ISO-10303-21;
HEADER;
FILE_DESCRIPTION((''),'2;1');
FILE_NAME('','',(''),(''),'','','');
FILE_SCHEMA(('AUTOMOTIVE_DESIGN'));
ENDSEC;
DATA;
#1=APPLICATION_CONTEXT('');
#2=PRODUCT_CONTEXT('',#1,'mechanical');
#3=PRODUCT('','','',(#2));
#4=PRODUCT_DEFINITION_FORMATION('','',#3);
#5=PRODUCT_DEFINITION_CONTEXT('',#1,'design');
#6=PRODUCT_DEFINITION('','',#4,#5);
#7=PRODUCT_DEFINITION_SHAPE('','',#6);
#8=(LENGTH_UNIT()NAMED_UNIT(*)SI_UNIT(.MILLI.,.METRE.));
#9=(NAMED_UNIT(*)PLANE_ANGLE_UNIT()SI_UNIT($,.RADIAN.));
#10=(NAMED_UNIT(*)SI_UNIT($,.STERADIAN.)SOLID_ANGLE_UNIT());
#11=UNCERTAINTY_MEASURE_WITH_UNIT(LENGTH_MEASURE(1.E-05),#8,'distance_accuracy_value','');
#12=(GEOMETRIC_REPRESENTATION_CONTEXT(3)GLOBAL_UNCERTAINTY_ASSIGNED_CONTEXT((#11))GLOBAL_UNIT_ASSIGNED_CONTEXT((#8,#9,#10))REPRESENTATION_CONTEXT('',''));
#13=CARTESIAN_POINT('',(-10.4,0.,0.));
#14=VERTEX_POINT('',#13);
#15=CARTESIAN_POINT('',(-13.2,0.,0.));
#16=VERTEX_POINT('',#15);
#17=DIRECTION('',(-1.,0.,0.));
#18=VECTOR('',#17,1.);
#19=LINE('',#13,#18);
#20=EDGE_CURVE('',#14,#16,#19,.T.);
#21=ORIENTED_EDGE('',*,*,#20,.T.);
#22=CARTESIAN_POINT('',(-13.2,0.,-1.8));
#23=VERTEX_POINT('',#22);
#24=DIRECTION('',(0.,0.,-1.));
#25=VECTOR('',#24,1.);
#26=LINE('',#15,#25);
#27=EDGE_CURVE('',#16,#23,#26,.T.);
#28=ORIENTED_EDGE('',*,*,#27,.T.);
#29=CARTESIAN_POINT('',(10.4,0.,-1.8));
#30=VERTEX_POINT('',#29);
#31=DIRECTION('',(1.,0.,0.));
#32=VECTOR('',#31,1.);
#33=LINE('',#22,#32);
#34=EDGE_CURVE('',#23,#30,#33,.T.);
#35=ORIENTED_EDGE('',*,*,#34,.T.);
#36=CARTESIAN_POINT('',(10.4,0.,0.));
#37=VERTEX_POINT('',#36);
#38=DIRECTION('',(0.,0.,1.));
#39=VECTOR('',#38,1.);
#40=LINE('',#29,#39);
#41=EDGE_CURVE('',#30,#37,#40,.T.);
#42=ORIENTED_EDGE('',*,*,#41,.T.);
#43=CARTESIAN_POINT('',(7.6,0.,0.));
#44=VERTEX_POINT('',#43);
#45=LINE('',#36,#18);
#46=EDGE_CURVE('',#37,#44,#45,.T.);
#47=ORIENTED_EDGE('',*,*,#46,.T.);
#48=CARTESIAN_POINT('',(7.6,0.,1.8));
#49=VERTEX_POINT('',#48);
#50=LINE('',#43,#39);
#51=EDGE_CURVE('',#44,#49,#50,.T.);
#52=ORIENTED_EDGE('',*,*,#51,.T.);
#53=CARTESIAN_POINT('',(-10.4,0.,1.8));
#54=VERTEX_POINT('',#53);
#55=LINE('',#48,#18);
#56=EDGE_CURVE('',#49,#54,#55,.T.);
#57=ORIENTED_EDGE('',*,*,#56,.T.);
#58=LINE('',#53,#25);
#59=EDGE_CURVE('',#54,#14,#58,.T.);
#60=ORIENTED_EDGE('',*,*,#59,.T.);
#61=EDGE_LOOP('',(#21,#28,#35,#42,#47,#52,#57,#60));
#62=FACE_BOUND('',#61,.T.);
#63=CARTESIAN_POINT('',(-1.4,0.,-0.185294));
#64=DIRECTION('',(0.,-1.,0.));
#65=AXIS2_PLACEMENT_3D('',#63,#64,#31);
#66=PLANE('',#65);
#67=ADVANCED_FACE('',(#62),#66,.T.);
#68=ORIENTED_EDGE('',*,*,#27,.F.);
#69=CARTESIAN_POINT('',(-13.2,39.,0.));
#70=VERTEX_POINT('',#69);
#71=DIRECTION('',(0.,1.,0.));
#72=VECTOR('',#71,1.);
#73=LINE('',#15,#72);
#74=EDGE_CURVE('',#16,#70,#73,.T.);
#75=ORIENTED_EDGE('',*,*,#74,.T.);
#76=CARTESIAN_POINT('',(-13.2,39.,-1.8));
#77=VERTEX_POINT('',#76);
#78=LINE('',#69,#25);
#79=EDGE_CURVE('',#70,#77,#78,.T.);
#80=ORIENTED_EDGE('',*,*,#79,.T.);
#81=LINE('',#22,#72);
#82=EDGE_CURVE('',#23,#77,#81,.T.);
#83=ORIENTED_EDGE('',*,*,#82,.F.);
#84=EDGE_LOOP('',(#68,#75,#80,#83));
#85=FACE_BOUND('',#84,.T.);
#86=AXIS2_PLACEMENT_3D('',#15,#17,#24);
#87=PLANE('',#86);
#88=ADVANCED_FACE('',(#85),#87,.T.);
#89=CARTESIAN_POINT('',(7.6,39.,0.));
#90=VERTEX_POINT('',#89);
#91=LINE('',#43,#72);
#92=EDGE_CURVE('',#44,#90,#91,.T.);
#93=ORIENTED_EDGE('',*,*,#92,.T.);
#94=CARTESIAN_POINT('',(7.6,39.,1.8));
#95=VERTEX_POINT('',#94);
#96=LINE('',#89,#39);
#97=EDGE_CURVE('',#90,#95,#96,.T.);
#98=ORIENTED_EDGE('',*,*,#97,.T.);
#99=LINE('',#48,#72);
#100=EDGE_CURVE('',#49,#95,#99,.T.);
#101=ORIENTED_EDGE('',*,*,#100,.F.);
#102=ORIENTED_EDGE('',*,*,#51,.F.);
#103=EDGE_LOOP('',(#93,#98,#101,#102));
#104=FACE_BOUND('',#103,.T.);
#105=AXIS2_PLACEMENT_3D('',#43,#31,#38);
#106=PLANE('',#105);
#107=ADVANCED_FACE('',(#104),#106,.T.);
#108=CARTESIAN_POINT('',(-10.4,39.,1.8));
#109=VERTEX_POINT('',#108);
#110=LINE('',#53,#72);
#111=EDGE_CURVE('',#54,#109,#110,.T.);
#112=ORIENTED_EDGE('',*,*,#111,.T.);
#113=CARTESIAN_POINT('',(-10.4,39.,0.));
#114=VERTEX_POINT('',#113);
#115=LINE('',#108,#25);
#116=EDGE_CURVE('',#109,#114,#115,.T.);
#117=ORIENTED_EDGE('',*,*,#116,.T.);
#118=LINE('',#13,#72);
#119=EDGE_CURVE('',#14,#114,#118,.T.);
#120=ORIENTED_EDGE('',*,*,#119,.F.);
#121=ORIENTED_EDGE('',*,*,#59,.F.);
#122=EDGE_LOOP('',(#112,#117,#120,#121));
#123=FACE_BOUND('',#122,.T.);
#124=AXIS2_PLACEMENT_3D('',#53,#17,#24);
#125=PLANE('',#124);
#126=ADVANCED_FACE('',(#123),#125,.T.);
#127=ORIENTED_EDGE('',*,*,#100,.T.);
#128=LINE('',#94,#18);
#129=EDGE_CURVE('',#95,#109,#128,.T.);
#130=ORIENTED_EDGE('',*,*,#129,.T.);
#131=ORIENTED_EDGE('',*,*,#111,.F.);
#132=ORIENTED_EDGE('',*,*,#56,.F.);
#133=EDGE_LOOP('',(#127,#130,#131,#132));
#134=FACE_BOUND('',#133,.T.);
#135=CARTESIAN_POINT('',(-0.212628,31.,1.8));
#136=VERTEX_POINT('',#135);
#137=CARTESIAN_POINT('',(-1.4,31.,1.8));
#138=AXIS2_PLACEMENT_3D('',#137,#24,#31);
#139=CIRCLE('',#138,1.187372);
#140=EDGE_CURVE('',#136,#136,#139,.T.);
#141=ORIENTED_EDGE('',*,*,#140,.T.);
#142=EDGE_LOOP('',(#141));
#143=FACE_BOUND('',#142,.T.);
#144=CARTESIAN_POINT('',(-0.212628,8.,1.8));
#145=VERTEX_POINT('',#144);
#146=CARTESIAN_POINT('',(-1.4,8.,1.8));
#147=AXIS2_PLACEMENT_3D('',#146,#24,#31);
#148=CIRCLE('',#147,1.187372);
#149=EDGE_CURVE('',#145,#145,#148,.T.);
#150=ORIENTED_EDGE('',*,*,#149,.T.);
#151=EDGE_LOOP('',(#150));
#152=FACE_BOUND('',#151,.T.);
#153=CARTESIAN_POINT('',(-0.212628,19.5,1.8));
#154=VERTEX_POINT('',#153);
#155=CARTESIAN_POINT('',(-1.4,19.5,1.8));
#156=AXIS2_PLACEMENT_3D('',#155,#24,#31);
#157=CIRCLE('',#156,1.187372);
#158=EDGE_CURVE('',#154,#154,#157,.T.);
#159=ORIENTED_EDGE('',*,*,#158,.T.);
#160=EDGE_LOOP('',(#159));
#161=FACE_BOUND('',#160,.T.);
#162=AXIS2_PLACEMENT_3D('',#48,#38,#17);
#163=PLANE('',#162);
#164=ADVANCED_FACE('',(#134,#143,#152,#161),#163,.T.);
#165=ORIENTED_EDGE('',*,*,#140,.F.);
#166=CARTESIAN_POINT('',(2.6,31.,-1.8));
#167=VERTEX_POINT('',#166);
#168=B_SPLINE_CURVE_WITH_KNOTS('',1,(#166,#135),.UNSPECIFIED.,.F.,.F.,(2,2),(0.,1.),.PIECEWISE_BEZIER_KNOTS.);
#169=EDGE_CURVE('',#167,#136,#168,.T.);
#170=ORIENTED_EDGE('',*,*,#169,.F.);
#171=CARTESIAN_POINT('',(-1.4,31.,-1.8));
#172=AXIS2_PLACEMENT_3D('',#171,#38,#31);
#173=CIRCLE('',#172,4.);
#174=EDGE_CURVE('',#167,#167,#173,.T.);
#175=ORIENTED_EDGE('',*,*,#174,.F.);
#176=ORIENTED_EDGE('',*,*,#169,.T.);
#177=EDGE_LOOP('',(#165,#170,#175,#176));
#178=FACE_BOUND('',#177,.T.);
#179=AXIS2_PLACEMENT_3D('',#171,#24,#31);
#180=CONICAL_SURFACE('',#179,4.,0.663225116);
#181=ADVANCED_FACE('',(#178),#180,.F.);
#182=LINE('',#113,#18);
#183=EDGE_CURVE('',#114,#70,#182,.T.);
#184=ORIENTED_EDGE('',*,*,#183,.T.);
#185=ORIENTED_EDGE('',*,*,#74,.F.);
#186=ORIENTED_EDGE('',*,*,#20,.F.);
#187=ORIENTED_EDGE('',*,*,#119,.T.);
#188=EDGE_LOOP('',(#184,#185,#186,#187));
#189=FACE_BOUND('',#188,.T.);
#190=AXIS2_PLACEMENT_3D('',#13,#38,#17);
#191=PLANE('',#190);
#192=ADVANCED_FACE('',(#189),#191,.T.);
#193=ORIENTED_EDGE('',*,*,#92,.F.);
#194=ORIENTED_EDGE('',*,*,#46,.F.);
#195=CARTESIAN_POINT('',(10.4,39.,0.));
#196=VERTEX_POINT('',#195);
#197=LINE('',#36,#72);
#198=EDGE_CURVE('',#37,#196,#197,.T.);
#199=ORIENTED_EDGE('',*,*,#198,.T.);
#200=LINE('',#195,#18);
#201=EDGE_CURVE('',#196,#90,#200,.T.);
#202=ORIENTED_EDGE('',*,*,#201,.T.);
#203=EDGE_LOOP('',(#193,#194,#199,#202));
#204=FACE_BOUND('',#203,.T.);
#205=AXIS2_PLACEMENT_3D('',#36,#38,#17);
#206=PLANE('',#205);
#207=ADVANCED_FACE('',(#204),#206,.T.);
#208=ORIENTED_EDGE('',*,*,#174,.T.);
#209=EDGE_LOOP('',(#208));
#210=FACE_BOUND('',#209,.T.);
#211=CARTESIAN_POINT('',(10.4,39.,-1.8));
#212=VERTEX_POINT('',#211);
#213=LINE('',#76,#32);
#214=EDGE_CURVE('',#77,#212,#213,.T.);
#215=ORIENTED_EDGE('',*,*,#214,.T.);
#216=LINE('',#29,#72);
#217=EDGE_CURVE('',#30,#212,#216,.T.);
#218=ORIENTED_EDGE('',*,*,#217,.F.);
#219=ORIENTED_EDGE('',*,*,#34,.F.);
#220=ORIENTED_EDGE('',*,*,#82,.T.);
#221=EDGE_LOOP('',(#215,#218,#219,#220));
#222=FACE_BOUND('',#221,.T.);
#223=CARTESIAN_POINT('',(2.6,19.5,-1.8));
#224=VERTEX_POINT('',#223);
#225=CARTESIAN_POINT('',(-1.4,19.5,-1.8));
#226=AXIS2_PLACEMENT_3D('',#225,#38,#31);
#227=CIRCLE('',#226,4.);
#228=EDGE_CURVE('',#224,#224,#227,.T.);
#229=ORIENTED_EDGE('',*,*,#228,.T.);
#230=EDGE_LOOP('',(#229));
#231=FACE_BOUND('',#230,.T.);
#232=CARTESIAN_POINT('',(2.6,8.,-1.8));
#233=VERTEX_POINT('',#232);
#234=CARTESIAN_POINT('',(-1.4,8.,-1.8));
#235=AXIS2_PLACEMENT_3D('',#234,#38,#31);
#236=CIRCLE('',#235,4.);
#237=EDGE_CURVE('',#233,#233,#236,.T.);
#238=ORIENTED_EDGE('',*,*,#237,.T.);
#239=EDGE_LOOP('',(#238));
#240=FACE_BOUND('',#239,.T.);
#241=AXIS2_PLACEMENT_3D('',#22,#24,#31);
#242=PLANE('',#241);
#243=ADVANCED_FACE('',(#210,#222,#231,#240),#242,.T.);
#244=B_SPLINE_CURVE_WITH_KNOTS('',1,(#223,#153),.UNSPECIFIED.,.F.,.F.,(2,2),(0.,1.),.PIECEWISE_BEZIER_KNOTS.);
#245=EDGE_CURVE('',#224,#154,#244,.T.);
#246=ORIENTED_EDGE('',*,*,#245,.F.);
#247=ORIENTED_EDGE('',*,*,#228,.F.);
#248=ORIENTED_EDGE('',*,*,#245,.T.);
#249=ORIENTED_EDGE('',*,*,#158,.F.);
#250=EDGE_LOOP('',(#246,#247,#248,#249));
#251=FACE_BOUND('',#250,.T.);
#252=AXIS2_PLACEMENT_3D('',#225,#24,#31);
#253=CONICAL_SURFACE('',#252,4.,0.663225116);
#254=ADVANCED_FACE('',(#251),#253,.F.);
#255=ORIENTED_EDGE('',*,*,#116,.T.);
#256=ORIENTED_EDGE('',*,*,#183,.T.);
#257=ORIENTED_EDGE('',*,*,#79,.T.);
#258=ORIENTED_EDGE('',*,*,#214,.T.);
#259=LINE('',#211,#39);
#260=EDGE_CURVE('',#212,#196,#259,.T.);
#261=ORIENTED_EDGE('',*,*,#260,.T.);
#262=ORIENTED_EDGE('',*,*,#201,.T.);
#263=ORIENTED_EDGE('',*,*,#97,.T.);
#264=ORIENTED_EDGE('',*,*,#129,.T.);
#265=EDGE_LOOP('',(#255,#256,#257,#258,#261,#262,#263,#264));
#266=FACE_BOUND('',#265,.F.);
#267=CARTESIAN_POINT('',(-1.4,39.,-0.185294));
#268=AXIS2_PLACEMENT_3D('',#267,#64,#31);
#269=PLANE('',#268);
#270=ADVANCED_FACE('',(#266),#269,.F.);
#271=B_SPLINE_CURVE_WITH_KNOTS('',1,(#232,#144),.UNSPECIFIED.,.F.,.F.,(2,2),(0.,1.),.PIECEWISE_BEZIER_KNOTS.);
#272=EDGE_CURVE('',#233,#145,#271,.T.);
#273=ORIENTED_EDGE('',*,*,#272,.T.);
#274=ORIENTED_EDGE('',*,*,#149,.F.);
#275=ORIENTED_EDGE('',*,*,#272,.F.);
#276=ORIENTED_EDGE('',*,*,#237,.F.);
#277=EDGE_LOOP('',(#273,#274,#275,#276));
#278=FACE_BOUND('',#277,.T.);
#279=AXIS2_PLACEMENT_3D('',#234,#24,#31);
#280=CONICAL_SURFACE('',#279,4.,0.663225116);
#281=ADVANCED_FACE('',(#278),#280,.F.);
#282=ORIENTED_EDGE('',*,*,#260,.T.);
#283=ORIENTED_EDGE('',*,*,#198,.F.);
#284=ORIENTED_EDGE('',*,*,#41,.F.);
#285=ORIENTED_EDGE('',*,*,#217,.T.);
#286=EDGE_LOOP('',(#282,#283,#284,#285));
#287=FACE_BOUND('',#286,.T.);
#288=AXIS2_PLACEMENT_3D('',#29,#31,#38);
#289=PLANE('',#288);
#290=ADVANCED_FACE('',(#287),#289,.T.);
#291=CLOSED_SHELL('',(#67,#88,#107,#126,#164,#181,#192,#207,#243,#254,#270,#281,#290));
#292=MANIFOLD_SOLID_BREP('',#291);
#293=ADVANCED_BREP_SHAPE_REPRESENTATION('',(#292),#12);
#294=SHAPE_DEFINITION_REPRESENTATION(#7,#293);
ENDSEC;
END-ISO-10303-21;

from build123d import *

# Parameters (mm, degrees)
F1_DEPTH = 39
F2_R     = 4
F3_DEPTH = 3.6
F3_TAPER = 38


with BuildPart() as f1:
    # F0 (on Front) → F1 (new body)
    with BuildSketch(Plane.XZ):
        Polygon((7.6, 1.8), (-10.4, 1.8), (-10.4, 0), (-13.2, 0), (-13.2, -1.8), (10.4, -1.8), (10.4, 0), (7.6, 0), align=None)
    extrude(amount=-F1_DEPTH)

    # F2 (on face) → F3 (cut, through all)
    with BuildSketch(Plane(origin=(0, 0, -1.8), x_dir=(1, 0, 0), z_dir=(0, 0, -1))):
        with Locations((-1.4, -31)):
            Circle(F2_R)
        with Locations((-1.4, -19.5)):
            Circle(F2_R)
        with Locations((-1.4, -8)):
            Circle(F2_R)
    extrude(amount=-F3_DEPTH, taper=F3_TAPER, mode=Mode.SUBTRACT)


solid = f1.part
